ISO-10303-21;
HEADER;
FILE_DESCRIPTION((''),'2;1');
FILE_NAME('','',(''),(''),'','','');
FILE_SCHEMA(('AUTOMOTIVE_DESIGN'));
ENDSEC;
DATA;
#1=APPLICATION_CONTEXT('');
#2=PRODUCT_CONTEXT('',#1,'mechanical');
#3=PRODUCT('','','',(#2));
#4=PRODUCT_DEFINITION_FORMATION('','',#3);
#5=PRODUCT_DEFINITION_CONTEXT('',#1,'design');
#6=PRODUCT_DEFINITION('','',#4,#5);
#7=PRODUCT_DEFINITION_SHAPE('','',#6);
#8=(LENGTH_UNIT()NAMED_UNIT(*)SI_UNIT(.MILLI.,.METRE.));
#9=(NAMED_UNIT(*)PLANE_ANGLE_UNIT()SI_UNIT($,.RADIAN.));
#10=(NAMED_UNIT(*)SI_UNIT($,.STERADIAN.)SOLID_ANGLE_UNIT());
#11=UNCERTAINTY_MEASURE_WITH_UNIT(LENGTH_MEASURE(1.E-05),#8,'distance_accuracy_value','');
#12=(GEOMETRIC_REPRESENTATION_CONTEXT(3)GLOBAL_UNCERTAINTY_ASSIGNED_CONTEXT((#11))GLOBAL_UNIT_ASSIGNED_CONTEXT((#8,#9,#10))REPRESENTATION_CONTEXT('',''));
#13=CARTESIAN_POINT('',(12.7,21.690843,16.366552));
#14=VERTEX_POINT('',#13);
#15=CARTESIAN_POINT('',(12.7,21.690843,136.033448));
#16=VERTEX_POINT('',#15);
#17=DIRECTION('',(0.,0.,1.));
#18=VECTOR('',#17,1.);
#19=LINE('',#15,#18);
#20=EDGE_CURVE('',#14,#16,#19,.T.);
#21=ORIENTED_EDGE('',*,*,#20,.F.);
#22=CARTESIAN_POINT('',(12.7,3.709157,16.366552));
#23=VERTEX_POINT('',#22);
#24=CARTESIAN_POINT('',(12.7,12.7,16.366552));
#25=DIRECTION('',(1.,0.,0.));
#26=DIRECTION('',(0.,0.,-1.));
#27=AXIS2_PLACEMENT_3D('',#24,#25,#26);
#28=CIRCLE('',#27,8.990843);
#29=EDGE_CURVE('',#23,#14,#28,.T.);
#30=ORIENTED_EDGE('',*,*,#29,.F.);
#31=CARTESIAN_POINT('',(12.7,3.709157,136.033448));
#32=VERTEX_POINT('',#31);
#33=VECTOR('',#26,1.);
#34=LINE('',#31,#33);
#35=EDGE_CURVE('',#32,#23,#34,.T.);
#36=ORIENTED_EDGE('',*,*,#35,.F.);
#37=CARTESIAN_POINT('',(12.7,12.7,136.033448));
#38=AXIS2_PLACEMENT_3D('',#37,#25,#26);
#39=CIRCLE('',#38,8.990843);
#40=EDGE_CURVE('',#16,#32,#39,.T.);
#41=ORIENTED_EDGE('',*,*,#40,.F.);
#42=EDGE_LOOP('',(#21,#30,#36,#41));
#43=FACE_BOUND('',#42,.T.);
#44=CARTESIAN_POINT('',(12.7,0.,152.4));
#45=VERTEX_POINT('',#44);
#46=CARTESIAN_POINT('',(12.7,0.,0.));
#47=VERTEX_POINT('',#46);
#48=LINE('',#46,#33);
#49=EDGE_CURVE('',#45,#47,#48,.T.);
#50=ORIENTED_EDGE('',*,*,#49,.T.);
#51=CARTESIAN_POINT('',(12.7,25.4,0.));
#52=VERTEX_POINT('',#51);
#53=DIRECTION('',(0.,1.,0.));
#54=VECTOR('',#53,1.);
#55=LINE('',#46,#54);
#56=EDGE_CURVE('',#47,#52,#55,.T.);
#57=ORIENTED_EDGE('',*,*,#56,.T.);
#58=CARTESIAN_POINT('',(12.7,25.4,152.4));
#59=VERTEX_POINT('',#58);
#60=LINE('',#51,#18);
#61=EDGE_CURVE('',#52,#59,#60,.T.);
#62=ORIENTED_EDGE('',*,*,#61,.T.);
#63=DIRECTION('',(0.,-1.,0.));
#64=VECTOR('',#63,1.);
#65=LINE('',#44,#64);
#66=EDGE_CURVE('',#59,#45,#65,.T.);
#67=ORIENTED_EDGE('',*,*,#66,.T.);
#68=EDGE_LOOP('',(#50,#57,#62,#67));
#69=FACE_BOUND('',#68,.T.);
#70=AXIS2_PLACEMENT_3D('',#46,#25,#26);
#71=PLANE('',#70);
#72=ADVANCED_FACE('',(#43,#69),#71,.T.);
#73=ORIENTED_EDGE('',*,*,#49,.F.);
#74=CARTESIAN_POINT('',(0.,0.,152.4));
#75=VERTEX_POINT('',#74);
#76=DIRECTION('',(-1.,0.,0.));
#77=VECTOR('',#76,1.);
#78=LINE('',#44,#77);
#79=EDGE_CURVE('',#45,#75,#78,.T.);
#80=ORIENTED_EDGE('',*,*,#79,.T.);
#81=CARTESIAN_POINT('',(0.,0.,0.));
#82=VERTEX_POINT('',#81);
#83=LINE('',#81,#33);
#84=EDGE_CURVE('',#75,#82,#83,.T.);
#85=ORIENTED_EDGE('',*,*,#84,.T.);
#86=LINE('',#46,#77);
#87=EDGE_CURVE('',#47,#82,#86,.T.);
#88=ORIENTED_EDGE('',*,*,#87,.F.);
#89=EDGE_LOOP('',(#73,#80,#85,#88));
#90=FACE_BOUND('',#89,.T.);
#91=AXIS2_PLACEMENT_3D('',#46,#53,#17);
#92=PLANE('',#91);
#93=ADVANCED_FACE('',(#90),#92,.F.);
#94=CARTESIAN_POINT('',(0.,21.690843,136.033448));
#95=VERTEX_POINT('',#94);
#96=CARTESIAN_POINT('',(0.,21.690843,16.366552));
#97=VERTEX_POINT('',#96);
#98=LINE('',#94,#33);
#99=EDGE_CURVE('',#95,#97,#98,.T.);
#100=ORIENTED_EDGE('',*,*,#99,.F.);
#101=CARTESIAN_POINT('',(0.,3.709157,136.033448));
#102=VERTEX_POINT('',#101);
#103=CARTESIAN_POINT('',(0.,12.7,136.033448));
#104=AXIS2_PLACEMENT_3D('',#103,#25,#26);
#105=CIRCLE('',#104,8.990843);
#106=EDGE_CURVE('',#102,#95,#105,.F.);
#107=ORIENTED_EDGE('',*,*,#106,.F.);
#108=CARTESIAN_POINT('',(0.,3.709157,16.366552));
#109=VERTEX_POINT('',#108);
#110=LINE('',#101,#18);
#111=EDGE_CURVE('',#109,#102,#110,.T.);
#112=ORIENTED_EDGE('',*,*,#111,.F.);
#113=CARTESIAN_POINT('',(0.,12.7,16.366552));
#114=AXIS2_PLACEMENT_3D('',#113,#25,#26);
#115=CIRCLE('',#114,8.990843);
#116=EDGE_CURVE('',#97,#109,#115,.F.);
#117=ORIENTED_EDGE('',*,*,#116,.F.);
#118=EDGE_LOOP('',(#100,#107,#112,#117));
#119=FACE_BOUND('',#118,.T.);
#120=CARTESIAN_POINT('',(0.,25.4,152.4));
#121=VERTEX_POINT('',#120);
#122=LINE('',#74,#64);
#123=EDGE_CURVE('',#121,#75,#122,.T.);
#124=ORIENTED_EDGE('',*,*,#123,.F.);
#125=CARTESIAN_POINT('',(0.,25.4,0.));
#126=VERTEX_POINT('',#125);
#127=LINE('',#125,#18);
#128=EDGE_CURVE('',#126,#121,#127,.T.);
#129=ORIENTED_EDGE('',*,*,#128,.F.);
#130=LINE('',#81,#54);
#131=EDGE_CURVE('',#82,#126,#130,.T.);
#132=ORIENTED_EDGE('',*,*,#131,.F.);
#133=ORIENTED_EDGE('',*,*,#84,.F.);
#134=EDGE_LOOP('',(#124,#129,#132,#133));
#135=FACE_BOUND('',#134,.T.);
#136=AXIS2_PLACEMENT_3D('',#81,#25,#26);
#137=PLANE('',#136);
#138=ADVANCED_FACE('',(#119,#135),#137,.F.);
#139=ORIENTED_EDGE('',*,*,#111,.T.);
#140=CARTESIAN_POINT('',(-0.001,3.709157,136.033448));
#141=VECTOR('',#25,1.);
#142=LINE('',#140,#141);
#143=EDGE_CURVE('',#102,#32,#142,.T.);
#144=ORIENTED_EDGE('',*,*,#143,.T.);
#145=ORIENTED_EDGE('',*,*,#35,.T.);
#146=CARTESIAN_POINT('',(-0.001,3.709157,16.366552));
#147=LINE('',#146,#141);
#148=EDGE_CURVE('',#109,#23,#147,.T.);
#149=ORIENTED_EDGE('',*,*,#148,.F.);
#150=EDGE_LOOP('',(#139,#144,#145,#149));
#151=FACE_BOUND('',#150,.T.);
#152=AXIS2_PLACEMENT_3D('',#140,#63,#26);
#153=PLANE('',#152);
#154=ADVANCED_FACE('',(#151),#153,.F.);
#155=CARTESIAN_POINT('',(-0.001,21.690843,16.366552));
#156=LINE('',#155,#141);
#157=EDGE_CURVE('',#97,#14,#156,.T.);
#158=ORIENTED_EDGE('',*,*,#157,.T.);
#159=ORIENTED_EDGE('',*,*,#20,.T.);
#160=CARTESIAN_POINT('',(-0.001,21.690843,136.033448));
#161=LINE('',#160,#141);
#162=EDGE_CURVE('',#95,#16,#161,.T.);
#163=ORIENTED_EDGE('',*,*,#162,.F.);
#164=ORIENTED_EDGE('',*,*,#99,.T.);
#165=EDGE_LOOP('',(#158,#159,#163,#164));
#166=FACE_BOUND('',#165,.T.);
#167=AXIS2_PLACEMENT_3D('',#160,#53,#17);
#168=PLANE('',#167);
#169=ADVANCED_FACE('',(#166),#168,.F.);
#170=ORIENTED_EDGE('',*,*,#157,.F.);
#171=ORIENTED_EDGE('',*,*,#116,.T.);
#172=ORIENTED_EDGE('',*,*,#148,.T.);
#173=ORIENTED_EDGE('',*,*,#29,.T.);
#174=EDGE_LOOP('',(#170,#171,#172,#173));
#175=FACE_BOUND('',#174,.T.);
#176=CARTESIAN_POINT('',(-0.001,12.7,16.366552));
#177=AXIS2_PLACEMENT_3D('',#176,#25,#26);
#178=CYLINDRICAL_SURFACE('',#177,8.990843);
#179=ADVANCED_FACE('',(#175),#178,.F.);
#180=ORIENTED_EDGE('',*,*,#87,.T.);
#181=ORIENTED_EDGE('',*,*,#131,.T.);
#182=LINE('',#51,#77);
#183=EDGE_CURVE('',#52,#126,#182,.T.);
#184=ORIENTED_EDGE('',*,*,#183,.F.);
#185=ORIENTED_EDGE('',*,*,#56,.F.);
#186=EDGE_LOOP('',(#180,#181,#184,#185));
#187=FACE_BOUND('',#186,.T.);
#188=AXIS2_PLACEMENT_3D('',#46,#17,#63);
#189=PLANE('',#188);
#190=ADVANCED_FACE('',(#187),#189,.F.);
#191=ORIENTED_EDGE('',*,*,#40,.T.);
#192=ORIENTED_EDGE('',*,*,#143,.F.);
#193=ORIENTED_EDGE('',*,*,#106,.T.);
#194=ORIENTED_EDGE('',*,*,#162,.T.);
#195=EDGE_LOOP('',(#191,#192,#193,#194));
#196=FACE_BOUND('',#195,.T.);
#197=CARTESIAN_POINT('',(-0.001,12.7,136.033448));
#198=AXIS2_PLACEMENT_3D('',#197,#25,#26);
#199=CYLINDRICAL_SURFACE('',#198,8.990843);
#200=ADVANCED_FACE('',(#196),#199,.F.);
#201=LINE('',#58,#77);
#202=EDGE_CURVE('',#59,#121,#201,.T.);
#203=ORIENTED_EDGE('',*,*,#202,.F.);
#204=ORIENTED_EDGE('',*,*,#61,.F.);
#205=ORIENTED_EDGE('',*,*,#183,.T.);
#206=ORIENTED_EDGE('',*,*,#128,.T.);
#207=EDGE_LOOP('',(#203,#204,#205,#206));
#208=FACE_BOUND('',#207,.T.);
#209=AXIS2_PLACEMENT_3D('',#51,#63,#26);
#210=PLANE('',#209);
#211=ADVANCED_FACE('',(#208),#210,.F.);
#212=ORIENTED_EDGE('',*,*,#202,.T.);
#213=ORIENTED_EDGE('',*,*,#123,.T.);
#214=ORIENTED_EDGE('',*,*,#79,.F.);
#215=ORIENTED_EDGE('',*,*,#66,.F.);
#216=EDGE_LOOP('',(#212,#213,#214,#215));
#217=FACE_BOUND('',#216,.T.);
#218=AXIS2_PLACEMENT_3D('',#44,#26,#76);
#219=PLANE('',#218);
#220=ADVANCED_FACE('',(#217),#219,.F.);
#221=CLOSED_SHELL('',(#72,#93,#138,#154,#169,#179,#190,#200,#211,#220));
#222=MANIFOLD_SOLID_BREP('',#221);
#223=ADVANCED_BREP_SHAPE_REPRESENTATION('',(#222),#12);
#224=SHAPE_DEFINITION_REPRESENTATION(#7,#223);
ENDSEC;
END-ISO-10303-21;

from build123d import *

# Parameters (mm, degrees)
SKETCH1_W           = 152.4
SKETCH1_H           = 25.4
BOSS_EXTRUDE1_DEPTH = 12.7
CUT_EXTRUDE2_REACH  = 156.654


with BuildPart() as part:
    # Sketch1 → Boss-Extrude1 (new body)
    with BuildSketch(Plane(origin=(0, 0, 0), x_dir=(0, 0, -1), z_dir=(1, 0, 0))):
        with Locations((-76.2, 12.7)):
            Rectangle(SKETCH1_W, SKETCH1_H)
    extrude(amount=BOSS_EXTRUDE1_DEPTH)

    # Sketch3 → Cut-Extrude2 (cut, up to next)
    with BuildSketch(Plane(origin=(12.7, 2.360975137, 0), x_dir=(0, 0, -1), z_dir=(1, 0, 0)), mode=Mode.PRIVATE) as cut_extrude2_sk1:
        with BuildLine():
            Line((-136.033448355, 19.329867732), (-16.366551645, 19.329867732))
            ThreePointArc((-16.366551645, 19.329867732), (-7.375708776, 10.339024863), (-16.366551645, 1.348181995))
            Line((-16.366551645, 1.348181995), (-136.033448355, 1.348181995))
            ThreePointArc((-136.033448355, 1.348181995), (-145.024291224, 10.339024863), (-136.033448355, 19.329867732))
        make_face()
    cut_extrude2_tool1 = extrude(cut_extrude2_sk1.sketch, amount=-CUT_EXTRUDE2_REACH, mode=Mode.PRIVATE) & part.part
    add(cut_extrude2_tool1.solids().sort_by_distance((12.7, 12.7, 76.2))[0], mode=Mode.SUBTRACT)


solid = part.part
